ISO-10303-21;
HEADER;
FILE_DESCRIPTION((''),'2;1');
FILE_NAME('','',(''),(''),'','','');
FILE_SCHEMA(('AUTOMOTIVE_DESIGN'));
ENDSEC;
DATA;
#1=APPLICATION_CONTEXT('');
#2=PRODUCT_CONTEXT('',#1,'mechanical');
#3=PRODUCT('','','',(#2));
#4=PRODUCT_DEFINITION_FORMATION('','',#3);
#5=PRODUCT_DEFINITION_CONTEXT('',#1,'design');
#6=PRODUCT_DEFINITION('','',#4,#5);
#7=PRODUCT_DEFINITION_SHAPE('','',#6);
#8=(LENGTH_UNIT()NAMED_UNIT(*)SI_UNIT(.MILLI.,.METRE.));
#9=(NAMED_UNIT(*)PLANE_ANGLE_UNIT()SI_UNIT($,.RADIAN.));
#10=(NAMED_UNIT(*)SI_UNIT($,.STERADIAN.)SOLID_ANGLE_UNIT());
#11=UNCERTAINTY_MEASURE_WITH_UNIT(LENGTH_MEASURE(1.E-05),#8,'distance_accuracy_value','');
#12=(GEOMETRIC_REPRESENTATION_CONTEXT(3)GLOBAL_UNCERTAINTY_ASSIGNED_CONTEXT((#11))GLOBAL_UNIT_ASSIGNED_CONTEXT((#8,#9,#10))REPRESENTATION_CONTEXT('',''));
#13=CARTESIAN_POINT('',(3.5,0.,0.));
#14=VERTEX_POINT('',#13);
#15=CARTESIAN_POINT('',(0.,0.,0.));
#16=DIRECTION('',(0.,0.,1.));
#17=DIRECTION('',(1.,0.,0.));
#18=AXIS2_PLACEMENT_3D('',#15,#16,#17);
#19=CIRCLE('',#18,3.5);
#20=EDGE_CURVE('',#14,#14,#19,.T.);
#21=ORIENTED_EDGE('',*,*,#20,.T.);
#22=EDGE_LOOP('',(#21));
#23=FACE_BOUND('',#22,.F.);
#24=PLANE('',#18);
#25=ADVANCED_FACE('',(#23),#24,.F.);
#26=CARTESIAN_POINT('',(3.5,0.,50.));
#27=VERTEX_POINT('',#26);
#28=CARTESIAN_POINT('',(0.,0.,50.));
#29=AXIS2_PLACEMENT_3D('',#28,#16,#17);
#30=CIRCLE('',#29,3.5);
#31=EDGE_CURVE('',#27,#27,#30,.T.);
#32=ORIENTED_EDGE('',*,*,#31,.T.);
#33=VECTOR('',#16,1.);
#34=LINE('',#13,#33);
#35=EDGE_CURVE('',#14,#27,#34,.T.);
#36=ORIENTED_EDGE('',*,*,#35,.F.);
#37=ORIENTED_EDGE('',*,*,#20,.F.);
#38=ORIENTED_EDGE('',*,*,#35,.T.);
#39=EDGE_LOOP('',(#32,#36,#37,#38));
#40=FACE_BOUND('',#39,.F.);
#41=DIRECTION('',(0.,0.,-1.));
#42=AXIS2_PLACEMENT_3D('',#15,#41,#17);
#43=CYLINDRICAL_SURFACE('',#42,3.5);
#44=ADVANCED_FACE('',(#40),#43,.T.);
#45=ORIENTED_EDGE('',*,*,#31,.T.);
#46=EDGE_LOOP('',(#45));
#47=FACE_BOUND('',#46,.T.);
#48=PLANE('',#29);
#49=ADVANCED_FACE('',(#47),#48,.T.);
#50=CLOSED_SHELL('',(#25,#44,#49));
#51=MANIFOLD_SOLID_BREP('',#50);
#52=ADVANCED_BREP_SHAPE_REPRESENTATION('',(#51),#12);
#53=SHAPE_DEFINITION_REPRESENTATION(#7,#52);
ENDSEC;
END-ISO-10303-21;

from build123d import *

# Parameters (mm, degrees)
SKETCH1_R           = 3.5
BOSS_EXTRUDE1_DEPTH = 50


with BuildPart() as part:
    # Sketch1 → Boss-Extrude1 (new body)
    with BuildSketch(Plane.XY):
        Circle(SKETCH1_R)
    extrude(amount=BOSS_EXTRUDE1_DEPTH)


solid = part.part
